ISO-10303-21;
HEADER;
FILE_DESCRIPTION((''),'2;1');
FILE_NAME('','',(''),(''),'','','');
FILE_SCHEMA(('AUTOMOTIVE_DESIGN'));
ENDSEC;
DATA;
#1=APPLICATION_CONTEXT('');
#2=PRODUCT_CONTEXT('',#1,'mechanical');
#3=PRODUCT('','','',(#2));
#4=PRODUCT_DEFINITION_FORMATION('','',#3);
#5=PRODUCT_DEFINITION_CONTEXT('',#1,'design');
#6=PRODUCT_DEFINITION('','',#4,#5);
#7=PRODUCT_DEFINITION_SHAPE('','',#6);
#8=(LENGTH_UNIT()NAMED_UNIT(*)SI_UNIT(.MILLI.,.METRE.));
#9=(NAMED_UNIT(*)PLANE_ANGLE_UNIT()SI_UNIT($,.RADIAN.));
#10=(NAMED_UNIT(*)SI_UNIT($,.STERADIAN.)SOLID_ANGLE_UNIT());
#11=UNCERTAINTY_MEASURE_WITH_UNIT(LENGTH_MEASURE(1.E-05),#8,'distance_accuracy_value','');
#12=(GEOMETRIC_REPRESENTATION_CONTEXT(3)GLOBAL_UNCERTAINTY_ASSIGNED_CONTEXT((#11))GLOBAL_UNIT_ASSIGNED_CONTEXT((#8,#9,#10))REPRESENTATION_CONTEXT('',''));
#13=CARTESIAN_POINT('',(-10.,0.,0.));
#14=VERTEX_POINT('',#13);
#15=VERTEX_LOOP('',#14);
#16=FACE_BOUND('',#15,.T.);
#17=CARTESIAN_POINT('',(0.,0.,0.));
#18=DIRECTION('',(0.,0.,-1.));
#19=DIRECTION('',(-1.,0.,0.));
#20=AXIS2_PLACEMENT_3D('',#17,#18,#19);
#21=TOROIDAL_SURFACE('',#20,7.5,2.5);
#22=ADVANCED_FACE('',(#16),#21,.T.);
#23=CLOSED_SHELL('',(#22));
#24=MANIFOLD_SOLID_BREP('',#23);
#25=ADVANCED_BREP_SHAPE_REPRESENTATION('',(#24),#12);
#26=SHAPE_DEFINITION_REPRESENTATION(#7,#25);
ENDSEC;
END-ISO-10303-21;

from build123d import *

# Parameters (mm, degrees)
SKETCH1_R = 2.5


with BuildPart() as part:
    # Sketch1 → Revolve1 (revolve)
    with BuildSketch(Plane(origin=(0, 0, 0), x_dir=(1, 0, 0), z_dir=(0, 1, 0))):
        with Locations((-7.5, 0)):
            Circle(SKETCH1_R)
    revolve(axis=Axis((0, 0, -5), (0, 0, 1)))


solid = part.part
